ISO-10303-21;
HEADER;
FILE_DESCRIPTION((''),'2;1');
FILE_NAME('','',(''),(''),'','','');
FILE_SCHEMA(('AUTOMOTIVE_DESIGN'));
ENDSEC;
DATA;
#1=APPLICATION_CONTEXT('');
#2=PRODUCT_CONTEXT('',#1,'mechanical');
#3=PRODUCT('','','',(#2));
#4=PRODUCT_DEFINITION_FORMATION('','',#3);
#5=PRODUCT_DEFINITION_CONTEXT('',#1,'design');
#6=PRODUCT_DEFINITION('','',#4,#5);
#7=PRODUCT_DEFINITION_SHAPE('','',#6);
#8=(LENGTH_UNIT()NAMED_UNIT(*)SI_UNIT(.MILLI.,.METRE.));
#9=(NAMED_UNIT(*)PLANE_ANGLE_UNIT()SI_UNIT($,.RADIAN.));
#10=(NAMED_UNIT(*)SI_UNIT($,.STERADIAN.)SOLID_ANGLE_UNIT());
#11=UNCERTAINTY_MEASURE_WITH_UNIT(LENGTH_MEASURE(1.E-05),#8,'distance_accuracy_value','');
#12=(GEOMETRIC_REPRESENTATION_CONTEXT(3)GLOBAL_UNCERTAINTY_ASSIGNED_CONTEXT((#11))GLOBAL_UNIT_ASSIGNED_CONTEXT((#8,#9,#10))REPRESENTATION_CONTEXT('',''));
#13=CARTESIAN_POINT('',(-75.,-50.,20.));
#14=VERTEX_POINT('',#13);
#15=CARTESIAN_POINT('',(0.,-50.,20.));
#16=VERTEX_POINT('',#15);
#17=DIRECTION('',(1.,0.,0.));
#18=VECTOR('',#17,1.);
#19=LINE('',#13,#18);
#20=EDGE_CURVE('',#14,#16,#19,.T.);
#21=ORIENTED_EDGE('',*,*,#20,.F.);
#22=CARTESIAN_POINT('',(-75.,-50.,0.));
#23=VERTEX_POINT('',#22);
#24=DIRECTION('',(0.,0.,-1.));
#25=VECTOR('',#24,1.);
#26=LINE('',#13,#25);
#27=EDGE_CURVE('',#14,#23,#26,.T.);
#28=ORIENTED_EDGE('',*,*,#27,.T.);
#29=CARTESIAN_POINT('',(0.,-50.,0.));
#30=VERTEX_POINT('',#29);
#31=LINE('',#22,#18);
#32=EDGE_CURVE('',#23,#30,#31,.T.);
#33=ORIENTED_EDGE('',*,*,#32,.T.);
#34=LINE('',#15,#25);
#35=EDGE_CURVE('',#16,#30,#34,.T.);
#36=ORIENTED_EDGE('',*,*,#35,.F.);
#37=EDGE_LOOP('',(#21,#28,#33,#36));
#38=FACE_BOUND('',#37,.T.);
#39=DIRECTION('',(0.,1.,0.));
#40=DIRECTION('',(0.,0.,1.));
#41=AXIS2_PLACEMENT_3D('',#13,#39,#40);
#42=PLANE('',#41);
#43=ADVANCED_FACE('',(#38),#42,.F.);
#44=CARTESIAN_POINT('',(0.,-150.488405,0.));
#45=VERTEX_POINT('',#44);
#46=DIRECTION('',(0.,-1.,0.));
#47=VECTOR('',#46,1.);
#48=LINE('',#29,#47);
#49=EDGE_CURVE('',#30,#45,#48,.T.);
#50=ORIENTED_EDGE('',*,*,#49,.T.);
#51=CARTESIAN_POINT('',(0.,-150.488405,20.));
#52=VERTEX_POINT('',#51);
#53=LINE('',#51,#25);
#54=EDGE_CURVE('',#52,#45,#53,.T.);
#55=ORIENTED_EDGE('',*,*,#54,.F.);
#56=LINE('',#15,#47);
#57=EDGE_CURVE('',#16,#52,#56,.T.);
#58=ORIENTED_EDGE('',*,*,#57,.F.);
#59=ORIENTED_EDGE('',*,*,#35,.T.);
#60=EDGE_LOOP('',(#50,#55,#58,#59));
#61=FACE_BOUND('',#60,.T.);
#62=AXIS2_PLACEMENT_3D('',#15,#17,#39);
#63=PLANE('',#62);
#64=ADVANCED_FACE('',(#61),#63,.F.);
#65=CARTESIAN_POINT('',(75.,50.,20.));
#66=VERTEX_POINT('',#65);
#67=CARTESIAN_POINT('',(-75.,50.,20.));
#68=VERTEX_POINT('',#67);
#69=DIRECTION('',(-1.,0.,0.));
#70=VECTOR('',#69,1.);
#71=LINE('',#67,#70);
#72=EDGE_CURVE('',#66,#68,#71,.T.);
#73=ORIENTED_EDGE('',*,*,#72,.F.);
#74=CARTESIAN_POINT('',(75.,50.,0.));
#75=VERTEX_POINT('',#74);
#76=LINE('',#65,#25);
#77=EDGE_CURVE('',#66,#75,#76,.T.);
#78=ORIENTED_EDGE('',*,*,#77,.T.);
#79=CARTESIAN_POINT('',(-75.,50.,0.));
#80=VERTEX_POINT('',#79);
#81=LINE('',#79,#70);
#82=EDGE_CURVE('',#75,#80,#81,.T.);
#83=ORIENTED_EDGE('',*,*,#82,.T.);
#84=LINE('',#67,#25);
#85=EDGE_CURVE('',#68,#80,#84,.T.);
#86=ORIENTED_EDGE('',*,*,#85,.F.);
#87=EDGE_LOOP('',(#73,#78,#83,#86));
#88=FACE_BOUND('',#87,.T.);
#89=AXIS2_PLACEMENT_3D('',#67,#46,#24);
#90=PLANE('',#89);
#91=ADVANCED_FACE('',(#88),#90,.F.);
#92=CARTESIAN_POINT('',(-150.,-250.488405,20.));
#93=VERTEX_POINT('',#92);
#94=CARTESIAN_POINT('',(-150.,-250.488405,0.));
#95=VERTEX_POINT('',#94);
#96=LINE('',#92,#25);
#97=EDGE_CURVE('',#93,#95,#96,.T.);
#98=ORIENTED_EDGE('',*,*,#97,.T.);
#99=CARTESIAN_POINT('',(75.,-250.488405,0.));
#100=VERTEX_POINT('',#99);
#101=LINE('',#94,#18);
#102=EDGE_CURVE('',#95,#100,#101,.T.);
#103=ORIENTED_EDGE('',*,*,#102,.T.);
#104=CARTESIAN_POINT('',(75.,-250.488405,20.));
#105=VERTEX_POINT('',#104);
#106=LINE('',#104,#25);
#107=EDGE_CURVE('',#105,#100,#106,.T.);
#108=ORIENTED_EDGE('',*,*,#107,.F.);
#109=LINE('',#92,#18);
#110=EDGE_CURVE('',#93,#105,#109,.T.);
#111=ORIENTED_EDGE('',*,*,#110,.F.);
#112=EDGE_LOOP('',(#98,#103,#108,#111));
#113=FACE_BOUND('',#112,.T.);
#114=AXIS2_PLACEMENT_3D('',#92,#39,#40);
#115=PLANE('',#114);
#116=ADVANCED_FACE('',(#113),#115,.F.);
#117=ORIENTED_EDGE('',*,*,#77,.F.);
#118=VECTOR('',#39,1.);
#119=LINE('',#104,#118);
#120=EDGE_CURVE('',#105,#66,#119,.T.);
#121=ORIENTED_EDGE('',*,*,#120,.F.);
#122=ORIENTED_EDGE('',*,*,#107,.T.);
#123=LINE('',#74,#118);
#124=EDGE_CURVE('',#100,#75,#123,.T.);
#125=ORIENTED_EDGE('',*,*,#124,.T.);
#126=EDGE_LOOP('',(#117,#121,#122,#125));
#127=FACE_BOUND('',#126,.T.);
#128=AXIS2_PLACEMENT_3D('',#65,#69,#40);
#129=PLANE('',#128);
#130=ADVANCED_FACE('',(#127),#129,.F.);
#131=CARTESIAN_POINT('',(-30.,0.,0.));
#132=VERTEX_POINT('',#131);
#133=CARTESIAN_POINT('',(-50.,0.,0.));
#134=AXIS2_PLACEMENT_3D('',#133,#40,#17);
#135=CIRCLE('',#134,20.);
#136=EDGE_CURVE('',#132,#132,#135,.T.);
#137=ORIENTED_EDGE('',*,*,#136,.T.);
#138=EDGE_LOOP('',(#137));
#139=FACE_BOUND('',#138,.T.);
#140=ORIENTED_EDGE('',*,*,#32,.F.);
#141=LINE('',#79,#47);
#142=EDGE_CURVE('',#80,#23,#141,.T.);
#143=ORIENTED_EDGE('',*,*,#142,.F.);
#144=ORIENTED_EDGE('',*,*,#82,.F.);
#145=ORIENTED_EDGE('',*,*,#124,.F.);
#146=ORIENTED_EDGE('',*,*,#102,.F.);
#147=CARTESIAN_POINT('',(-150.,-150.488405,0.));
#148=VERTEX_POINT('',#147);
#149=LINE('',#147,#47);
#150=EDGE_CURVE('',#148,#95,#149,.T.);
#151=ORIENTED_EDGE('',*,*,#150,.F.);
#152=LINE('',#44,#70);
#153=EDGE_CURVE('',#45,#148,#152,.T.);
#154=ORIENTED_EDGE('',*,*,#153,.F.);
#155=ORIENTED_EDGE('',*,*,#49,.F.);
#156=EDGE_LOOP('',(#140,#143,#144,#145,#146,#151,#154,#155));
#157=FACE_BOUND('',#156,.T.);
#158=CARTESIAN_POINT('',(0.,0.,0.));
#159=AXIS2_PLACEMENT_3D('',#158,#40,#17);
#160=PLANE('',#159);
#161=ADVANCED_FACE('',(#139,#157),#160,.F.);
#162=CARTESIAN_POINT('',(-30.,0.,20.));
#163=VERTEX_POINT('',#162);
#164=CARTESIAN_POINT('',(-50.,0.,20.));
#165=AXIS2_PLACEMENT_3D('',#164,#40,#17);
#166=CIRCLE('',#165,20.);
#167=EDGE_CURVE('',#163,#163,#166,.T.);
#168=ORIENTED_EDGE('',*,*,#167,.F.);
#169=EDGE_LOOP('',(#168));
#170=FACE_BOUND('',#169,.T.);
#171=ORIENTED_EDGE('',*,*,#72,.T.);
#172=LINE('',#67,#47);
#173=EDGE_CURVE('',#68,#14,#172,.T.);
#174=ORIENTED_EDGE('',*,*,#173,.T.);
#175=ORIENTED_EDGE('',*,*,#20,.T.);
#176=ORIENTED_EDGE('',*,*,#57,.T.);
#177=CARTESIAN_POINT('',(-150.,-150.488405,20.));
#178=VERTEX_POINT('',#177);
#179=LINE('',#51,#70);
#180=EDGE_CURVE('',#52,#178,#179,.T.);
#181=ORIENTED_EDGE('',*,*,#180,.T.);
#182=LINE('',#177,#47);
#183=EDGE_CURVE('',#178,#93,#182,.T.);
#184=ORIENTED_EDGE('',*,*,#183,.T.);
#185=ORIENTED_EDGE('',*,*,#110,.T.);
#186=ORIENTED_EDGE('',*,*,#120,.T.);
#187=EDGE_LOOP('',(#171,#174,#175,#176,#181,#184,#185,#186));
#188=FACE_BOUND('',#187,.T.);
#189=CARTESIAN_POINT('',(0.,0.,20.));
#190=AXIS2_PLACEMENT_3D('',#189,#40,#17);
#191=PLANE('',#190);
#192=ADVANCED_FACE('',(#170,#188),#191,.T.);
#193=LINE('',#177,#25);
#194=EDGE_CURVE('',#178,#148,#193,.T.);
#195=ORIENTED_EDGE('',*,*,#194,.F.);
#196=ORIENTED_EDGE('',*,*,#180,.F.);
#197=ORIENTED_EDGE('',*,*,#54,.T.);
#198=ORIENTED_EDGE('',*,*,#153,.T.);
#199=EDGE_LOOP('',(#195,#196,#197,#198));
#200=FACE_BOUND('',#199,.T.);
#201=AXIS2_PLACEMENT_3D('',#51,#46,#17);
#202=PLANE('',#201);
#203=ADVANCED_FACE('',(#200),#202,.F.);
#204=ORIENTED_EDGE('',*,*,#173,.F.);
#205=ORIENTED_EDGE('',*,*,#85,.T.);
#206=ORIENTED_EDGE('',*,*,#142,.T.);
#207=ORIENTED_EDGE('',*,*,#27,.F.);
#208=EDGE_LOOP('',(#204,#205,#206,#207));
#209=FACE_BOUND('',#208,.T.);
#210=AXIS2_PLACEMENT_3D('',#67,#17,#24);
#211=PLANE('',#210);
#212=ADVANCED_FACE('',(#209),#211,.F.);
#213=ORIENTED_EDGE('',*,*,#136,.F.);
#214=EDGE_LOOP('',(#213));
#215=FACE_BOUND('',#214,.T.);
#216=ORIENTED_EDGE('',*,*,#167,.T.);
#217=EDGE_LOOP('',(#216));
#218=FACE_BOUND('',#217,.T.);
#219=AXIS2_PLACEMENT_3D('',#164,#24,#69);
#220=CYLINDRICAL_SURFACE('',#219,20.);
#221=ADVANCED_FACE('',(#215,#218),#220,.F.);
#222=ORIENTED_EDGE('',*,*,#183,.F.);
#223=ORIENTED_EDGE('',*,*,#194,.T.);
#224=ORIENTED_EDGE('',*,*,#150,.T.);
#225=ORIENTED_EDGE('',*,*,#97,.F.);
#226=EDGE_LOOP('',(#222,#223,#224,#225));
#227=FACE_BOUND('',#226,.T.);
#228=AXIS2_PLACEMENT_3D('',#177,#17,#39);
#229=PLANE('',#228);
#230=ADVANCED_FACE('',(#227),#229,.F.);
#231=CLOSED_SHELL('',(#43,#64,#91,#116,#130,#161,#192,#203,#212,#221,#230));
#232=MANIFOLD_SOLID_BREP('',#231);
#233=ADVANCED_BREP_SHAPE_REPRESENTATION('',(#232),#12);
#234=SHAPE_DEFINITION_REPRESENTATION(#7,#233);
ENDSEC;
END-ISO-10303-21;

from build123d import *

# Parameters (mm, degrees)
SKETCH1_R           = 20
BOSS_EXTRUDE2_DEPTH = 20


with BuildPart() as part:
    # Sketch1 → Boss-Extrude2 (new body)
    with BuildSketch(Plane.XY):
        Polygon((-75, 50), (75, 50), (75, -50.738237202), (75, -250.488405268), (-150, -250.488405268), (-150, -150.488405268), (0, -150.488405268), (0, -50), (-75, -50), align=None)
        with Locations((-50, 0)):
            Circle(SKETCH1_R, mode=Mode.SUBTRACT)
    extrude(amount=BOSS_EXTRUDE2_DEPTH)


solid = part.part
